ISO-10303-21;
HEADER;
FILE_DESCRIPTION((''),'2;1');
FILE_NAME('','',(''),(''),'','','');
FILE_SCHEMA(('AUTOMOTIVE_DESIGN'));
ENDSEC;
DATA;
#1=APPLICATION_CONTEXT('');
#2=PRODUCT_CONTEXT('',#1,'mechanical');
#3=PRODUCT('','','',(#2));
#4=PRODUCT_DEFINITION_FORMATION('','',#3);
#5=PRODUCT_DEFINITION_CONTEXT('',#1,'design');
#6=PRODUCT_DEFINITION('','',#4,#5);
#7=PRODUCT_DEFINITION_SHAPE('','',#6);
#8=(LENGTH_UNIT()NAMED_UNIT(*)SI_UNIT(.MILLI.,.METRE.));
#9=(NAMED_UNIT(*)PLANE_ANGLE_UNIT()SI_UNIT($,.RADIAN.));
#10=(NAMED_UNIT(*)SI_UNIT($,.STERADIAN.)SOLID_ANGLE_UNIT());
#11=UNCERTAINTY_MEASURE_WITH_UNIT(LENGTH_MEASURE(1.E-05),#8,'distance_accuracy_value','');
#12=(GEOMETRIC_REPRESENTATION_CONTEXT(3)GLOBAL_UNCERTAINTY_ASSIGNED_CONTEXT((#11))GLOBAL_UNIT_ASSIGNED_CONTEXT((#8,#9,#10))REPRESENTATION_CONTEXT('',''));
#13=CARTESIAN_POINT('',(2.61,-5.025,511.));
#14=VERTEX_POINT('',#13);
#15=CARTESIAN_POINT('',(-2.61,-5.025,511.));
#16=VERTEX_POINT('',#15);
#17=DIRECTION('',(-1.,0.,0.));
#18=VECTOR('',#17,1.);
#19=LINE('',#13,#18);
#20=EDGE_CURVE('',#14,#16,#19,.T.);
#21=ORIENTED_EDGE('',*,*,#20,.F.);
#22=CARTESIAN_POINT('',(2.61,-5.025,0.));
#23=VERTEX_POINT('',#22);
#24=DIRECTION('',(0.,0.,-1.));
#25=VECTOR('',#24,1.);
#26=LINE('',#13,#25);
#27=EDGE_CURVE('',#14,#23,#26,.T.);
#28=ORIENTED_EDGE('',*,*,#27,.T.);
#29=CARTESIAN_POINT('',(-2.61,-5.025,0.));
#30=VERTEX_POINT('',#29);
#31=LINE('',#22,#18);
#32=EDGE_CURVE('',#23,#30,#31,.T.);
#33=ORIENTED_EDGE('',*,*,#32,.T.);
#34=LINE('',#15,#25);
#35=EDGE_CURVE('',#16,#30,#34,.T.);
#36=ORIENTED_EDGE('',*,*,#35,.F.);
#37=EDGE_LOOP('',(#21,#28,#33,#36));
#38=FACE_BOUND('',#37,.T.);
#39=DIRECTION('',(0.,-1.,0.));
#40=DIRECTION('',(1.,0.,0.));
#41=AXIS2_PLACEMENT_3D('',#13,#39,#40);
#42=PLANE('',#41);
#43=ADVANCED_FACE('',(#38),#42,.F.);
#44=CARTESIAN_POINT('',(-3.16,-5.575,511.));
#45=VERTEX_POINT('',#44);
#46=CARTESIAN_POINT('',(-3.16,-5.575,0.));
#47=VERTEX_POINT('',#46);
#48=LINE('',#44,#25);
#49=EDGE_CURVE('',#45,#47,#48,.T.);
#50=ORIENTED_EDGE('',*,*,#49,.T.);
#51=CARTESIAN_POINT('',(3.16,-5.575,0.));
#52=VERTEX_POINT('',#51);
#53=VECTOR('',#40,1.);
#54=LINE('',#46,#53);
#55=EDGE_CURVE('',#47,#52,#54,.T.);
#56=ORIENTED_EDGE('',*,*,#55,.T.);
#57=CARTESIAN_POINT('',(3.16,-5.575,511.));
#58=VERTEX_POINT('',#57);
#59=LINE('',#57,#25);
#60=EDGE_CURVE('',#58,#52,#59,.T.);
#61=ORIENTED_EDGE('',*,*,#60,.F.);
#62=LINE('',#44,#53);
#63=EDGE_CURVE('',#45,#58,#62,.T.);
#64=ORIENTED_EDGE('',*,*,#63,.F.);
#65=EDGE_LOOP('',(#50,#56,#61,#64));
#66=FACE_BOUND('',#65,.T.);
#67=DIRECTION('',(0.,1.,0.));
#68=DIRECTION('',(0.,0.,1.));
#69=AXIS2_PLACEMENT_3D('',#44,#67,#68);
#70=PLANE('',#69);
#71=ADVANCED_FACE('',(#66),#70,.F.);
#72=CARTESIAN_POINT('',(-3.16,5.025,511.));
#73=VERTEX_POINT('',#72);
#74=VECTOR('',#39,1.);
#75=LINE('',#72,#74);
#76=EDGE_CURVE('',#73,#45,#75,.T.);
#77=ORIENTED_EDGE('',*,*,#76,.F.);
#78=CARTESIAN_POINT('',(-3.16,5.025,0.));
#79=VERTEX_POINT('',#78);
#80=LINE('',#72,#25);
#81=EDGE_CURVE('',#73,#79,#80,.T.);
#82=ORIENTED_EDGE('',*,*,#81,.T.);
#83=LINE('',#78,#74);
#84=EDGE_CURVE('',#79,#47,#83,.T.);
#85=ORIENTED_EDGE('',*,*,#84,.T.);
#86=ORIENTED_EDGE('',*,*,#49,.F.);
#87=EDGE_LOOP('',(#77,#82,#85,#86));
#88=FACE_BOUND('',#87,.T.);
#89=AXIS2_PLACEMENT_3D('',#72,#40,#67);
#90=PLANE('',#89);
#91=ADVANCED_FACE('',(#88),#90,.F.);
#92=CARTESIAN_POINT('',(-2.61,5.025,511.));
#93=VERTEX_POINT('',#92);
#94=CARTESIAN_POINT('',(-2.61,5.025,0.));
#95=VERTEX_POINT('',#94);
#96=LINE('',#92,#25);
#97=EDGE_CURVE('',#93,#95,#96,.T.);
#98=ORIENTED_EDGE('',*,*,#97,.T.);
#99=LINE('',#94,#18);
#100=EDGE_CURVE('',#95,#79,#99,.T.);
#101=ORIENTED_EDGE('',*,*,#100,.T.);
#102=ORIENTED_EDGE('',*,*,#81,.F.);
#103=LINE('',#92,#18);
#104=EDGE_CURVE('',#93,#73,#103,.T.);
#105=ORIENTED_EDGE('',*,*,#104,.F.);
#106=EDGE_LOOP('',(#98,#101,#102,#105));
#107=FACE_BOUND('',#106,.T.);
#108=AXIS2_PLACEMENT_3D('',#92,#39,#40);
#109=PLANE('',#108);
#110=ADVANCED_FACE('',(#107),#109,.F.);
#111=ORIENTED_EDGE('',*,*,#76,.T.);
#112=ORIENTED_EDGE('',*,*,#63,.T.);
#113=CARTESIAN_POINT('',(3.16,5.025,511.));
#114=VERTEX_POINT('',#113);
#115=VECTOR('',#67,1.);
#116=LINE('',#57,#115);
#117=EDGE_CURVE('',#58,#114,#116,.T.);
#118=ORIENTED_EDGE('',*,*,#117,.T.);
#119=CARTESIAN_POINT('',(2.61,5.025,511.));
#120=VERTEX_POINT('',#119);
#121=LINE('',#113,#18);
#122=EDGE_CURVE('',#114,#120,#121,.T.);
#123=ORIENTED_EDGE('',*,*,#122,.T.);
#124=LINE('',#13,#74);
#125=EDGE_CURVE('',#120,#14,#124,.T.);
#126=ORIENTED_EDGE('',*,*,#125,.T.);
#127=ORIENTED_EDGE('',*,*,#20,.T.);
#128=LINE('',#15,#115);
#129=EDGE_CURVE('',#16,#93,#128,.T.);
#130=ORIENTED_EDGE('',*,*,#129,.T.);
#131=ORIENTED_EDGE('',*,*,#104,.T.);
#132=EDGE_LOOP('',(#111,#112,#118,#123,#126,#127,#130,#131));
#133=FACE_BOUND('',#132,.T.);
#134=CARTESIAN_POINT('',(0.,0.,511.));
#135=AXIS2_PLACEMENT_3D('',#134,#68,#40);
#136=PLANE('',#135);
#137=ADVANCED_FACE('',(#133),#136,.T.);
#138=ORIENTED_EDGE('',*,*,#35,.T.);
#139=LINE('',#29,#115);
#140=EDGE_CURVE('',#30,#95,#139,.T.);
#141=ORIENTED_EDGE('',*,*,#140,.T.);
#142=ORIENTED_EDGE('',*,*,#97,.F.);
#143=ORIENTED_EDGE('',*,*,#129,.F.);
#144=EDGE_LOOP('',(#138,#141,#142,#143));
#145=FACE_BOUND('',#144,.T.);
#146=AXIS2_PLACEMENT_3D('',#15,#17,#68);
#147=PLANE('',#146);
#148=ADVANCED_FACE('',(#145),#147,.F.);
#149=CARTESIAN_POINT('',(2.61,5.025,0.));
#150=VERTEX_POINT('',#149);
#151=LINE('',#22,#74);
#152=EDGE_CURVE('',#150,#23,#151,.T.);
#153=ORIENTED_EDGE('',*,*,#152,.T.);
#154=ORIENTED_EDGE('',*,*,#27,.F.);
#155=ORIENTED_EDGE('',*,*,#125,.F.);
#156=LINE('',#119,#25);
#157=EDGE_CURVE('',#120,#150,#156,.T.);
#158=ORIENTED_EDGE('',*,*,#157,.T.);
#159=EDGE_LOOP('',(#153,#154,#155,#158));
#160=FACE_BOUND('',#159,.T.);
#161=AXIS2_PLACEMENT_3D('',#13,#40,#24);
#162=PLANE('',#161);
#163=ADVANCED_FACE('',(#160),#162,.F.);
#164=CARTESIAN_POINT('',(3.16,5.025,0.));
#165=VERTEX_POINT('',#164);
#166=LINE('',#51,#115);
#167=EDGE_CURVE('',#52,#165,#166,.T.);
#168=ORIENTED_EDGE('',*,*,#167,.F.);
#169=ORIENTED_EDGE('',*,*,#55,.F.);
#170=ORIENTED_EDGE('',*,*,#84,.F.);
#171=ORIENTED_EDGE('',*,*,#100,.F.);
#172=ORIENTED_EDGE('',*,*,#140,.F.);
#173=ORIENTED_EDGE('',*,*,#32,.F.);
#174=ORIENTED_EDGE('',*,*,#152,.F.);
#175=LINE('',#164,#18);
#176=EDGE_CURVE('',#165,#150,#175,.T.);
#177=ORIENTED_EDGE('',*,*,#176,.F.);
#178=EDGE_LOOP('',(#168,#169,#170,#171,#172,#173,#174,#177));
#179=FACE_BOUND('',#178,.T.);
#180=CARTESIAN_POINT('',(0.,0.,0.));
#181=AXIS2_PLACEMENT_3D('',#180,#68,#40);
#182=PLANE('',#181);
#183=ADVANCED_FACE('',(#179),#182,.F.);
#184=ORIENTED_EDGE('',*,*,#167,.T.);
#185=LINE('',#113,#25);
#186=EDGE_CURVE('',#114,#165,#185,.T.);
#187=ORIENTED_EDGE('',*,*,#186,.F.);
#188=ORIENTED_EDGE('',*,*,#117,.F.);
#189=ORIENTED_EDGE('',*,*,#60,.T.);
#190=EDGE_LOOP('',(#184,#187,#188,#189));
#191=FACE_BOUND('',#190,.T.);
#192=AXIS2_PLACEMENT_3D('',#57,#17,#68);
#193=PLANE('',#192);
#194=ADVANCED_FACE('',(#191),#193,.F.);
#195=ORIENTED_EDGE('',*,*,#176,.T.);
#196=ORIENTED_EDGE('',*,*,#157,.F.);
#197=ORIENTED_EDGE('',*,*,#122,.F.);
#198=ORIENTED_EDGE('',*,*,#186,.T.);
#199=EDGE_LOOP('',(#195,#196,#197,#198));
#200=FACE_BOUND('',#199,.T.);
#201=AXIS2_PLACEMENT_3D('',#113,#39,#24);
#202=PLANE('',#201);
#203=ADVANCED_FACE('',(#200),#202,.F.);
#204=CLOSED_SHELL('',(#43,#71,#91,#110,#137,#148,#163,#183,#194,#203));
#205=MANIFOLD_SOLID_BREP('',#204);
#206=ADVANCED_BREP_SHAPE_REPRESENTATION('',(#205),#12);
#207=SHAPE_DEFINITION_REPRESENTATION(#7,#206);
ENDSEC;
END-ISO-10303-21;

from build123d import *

# Parameters (mm, degrees)
EXTRUDE_1_DEPTH = 511


with BuildPart() as part:
    # 草图1 → 凸台-拉伸1 (new body)
    with BuildSketch(Plane.XY):
        Polygon((-2.61, 5.025), (-3.16, 5.025), (-3.16, -5.575), (3.16, -5.575), (3.16, 5.025), (2.61, 5.025), (2.61, -5.025), (-2.61, -5.025), align=None)
    extrude(amount=EXTRUDE_1_DEPTH)


solid = part.part
